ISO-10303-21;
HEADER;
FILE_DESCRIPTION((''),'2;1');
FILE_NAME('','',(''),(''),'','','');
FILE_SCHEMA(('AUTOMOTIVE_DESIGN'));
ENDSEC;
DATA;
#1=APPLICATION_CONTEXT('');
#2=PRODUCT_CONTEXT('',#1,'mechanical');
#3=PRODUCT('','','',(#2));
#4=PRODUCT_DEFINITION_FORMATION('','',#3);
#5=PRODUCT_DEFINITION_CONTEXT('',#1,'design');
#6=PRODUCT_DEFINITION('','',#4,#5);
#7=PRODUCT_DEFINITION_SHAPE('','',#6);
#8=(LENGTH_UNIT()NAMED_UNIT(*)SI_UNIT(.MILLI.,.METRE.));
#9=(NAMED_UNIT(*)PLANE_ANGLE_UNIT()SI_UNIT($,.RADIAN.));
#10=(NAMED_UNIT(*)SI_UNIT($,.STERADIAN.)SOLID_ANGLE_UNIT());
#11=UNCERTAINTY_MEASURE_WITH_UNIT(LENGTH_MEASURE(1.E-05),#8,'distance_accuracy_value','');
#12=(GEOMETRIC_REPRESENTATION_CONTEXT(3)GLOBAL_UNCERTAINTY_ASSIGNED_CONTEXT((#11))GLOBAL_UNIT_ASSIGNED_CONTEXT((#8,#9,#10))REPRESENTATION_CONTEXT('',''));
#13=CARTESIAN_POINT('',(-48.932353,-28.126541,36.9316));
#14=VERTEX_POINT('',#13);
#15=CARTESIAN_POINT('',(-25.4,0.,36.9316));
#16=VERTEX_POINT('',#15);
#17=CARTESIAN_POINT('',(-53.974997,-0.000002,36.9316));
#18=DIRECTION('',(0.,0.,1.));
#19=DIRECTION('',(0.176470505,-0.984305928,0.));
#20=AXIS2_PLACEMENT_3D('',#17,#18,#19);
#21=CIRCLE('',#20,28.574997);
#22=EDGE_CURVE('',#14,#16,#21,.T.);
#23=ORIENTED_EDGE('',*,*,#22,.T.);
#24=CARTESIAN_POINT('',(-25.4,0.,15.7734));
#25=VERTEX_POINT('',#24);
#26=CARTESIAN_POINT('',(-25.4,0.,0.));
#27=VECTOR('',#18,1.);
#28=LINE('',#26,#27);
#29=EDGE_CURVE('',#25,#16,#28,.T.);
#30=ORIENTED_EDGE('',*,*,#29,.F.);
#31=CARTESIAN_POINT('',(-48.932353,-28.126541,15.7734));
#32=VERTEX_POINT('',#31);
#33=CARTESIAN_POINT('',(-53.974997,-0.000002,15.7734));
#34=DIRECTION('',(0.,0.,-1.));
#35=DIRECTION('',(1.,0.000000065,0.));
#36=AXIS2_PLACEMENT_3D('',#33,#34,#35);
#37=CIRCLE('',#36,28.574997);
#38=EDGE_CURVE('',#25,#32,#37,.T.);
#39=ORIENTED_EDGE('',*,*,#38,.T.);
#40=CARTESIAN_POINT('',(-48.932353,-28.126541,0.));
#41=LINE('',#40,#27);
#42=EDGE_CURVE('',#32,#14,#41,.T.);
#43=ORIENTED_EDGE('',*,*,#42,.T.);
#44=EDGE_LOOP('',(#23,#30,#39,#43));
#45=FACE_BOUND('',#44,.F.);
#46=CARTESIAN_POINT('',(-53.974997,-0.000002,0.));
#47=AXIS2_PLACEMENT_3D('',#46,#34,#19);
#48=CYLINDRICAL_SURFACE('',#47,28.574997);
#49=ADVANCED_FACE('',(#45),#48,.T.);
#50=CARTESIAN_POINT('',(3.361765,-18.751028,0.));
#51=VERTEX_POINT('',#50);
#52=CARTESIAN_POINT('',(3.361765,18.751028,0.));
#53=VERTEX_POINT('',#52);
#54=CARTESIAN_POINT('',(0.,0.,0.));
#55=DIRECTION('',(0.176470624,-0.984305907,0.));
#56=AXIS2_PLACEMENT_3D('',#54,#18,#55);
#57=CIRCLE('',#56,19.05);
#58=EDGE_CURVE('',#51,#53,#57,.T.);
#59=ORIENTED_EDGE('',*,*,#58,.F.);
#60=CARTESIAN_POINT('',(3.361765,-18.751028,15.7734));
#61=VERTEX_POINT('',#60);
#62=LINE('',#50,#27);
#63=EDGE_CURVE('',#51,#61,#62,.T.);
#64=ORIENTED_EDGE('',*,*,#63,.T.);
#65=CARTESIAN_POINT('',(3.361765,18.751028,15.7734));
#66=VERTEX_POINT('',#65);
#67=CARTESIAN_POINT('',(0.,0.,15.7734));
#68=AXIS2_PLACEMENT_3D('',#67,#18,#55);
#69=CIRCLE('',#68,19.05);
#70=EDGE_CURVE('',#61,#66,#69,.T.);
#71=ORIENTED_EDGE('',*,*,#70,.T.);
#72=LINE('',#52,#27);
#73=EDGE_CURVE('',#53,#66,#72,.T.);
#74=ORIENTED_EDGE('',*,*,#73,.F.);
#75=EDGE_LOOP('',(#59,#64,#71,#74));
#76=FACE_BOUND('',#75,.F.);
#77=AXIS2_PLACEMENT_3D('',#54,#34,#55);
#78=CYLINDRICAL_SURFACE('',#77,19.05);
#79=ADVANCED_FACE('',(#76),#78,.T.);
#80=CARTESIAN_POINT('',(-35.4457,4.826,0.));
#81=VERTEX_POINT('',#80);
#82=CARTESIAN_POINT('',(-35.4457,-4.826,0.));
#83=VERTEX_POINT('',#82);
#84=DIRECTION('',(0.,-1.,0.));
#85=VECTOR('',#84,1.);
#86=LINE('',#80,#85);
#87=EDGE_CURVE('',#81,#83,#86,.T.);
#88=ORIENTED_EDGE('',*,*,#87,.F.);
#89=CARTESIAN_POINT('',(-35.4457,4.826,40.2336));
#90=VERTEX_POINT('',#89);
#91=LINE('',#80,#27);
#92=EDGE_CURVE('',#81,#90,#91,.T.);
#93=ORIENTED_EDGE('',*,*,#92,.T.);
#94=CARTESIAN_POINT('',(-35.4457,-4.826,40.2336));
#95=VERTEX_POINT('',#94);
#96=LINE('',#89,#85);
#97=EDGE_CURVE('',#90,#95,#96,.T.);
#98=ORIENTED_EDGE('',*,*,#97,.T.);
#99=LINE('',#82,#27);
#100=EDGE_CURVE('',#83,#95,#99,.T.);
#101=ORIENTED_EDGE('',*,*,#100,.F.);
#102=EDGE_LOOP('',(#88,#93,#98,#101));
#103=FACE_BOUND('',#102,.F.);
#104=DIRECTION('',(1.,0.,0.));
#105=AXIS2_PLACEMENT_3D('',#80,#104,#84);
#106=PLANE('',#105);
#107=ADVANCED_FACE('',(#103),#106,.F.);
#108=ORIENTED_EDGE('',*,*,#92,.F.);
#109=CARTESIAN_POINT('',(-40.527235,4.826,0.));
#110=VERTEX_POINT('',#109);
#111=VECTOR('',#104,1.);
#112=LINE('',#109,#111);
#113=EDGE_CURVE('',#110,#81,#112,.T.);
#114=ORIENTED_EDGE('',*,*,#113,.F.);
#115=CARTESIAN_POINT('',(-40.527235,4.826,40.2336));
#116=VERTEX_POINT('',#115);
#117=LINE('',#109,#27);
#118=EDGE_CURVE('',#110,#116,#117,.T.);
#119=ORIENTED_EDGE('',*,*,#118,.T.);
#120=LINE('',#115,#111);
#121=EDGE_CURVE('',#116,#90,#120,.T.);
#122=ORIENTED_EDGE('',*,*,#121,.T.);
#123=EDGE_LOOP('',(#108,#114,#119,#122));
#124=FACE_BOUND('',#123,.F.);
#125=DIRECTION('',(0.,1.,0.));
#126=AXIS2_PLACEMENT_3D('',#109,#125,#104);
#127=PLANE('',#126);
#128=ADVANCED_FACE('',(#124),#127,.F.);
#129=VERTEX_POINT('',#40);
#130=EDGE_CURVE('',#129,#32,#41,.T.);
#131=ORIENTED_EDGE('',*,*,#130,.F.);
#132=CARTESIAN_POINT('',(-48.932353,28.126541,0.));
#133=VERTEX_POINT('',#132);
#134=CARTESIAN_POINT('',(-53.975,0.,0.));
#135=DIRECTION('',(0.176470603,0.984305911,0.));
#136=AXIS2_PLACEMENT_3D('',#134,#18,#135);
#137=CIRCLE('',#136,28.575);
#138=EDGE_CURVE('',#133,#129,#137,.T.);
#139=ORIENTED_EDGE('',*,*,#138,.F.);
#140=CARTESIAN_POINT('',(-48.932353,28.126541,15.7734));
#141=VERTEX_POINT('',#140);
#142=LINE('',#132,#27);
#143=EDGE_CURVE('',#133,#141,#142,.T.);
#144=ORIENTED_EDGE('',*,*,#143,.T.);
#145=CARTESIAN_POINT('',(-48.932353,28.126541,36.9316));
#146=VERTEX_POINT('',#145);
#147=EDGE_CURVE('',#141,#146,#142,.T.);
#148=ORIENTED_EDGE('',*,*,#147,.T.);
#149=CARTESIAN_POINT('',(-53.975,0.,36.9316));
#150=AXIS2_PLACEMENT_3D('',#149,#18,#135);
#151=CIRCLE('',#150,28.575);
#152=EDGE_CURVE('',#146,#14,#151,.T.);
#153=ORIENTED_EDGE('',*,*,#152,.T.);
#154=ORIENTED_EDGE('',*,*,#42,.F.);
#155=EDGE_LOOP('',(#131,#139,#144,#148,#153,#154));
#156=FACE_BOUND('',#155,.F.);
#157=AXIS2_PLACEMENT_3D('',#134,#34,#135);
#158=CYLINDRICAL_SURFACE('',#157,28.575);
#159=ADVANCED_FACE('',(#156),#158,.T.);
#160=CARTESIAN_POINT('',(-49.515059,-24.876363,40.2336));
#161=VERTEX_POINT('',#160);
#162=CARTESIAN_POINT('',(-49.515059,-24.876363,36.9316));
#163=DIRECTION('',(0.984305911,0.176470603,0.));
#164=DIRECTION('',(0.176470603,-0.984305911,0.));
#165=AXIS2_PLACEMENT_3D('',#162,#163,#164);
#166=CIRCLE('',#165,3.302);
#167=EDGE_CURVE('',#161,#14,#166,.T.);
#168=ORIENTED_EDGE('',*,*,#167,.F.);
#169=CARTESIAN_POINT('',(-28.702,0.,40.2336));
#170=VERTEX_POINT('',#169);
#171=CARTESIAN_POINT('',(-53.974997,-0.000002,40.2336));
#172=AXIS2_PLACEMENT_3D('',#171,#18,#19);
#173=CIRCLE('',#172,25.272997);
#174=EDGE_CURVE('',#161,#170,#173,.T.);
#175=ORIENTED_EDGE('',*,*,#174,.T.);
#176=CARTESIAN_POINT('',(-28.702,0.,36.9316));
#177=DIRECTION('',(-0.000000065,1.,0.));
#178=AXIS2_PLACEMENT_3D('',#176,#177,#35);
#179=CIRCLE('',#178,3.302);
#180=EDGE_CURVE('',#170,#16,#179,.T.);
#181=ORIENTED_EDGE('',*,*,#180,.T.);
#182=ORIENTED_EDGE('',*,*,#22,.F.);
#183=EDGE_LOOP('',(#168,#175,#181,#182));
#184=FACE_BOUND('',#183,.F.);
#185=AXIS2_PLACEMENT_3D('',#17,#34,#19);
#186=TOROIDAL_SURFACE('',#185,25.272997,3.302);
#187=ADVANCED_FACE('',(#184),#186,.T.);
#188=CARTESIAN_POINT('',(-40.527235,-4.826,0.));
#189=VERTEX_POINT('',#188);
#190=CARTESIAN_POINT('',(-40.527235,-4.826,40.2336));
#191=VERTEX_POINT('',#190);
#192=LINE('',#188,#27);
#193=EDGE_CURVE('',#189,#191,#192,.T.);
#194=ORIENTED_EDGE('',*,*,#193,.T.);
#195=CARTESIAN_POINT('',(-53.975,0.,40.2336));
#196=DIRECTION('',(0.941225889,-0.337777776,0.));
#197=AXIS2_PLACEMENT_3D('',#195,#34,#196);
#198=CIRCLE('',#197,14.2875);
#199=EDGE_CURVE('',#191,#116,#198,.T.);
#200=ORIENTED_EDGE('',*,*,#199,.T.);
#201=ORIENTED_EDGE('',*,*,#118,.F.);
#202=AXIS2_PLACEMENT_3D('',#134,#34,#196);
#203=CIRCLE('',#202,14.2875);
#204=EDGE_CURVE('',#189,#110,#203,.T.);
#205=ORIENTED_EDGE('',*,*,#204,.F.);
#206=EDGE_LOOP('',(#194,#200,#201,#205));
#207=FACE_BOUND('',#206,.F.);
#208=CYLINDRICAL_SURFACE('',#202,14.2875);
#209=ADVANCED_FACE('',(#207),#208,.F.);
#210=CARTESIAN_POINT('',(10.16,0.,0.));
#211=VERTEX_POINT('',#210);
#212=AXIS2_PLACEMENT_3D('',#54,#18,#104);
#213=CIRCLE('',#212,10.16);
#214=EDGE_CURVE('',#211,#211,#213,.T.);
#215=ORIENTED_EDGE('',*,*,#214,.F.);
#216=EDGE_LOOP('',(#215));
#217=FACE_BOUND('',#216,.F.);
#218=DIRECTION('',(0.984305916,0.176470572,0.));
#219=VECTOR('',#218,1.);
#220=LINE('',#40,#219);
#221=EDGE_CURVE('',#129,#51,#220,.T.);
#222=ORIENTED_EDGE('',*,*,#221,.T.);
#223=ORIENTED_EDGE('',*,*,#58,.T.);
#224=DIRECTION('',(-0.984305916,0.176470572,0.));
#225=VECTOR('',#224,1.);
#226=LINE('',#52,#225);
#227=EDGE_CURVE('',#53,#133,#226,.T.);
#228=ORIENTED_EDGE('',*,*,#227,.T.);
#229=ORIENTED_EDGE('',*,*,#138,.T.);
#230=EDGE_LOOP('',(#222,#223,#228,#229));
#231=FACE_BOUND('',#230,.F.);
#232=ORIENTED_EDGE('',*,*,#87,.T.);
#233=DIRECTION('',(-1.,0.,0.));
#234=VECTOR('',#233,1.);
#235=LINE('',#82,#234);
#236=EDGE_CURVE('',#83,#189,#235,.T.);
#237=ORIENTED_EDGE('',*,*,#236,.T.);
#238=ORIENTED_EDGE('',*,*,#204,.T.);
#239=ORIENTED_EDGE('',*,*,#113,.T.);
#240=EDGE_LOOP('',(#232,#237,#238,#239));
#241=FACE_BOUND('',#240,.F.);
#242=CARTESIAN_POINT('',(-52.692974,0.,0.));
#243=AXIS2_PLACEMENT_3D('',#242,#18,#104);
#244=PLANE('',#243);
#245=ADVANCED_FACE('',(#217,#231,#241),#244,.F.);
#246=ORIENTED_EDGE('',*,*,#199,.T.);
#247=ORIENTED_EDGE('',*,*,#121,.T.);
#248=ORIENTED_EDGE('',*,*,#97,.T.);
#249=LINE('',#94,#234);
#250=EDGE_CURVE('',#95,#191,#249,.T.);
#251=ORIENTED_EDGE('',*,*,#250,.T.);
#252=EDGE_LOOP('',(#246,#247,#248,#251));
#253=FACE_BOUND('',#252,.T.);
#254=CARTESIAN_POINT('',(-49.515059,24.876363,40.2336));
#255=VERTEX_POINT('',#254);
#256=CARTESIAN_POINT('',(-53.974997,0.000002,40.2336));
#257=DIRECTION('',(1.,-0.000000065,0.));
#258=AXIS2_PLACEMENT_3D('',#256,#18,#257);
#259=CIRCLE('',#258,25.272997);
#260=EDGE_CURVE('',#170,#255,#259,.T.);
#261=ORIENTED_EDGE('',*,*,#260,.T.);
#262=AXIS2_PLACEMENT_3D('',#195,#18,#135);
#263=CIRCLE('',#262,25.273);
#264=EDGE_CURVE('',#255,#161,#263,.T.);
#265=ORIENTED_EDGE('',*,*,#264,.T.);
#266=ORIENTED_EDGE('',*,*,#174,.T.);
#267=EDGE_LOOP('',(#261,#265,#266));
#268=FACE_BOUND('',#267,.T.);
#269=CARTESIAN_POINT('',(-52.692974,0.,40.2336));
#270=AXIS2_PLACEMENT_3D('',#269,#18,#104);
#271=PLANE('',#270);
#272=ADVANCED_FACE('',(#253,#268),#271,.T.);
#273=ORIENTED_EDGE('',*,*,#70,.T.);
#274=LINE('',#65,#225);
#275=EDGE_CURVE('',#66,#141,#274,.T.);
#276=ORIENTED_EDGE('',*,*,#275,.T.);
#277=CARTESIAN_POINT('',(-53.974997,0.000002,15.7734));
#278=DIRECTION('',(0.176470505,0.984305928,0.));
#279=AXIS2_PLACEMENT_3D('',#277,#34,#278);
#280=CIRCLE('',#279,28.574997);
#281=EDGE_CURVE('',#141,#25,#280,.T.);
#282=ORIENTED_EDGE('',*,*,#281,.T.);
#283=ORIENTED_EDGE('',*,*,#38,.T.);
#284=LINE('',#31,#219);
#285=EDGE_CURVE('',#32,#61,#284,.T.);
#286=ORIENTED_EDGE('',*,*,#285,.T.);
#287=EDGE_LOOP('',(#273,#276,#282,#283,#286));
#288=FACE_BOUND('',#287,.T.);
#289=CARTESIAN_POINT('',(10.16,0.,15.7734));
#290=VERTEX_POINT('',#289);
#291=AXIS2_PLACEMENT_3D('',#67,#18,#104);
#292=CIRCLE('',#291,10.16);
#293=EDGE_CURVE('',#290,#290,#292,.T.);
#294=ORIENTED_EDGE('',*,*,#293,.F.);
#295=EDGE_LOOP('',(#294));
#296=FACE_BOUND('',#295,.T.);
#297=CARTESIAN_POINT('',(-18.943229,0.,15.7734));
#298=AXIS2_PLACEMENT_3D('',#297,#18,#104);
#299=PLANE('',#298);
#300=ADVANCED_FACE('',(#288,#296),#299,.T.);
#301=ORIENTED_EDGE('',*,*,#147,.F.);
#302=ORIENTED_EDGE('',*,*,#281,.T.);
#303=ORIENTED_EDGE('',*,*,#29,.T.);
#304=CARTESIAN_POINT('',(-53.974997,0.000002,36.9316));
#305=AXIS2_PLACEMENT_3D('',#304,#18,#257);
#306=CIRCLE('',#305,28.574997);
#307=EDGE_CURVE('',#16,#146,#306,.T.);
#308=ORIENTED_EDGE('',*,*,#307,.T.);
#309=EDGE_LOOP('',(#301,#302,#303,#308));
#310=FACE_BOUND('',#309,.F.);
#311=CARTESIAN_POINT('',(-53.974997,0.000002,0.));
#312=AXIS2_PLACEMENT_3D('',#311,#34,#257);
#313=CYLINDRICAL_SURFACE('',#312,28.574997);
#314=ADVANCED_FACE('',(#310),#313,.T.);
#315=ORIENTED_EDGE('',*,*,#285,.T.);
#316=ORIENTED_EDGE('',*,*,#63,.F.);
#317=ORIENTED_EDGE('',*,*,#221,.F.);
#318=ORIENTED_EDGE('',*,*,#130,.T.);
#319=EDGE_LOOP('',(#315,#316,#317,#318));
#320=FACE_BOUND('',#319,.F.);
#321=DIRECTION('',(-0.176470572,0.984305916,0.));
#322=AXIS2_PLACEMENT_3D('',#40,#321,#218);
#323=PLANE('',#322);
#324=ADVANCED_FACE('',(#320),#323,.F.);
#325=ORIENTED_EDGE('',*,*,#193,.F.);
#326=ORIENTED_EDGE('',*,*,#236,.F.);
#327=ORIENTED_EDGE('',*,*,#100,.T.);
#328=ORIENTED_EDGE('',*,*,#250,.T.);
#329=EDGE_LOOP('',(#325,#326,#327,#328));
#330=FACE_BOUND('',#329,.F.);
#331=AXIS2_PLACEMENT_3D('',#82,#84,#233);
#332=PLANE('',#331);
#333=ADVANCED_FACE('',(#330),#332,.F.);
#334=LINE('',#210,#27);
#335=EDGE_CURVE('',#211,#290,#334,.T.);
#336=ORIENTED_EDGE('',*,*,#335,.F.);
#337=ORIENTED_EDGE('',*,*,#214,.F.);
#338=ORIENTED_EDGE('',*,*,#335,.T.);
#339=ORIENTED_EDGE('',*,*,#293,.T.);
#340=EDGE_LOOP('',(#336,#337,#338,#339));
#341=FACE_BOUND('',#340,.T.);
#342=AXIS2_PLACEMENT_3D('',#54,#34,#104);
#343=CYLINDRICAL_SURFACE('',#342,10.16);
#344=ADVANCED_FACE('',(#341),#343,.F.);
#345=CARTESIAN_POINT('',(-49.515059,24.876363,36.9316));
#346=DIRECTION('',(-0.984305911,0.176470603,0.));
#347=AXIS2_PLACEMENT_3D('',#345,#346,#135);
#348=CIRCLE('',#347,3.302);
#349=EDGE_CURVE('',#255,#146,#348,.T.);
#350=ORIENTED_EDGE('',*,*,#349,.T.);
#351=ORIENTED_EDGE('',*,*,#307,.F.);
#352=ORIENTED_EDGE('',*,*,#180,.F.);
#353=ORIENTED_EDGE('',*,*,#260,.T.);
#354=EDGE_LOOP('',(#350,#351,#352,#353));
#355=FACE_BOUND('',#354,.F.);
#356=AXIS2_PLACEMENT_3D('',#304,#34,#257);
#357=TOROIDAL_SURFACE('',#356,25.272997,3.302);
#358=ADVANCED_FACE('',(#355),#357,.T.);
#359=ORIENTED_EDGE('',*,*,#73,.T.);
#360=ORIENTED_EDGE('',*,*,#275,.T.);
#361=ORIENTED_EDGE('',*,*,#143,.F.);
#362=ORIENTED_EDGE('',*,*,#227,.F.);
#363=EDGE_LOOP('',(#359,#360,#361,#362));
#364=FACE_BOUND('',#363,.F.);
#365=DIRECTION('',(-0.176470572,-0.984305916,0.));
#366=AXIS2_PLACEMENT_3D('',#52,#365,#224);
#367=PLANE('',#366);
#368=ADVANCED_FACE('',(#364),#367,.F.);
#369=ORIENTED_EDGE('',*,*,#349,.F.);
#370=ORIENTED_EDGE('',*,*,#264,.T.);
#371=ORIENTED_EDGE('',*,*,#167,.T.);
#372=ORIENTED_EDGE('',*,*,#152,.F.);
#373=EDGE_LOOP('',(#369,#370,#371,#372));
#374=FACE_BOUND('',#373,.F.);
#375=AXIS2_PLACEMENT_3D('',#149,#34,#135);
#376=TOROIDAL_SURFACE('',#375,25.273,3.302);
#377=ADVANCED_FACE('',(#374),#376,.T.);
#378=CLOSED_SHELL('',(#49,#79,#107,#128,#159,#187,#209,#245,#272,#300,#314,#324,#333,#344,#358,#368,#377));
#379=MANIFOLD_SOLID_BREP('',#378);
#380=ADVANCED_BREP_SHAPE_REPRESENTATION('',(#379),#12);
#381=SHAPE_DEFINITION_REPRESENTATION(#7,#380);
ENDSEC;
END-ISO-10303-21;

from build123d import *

# Parameters (mm, degrees)
F0_R     = 10.16
F1_DEPTH = 15.7734
F2_DEPTH = 40.2336
F3_R     = 3.302


with BuildPart() as f1:
    # F0 (on Top) → F1 (new body)
    with BuildSketch(Plane.XY):
        with BuildLine():
            ThreePointArc((-48.932353, 28.126541), (-32.058975, 18.336262), (-25.4, 0))
            ThreePointArc((-25.4, 0), (-32.058975, -18.336262), (-48.932353, -28.126541))
            Line((-48.932353, -28.126541), (3.361765, -18.751028))
            ThreePointArc((3.361765, -18.751028), (19.05, 0), (3.361765, 18.751028))
            Line((3.361765, 18.751028), (-48.932353, 28.126541))
        make_face()
        Circle(F0_R, mode=Mode.SUBTRACT)
    extrude(amount=F1_DEPTH)

    # F0 (on Top) → F2 (join)
    with BuildSketch(Plane.XY):
        with BuildLine():
            ThreePointArc((-48.932353, -28.126541), (-32.058975, -18.336262), (-25.4, 0))
            ThreePointArc((-25.4, 0), (-32.058975, 18.336262), (-48.932353, 28.126541))
            ThreePointArc((-48.932353, 28.126541), (-82.55, 0), (-48.932353, -28.126541))
        make_face()
        with BuildLine():
            ThreePointArc((-40.527235, -4.826), (-68.2625, 0), (-40.527235, 4.826))
            Line((-40.527235, 4.826), (-35.4457, 4.826))
            Line((-35.4457, 4.826), (-35.4457, -4.826))
            Line((-35.4457, -4.826), (-40.527235, -4.826))
        make_face(mode=Mode.SUBTRACT)
    extrude(amount=F2_DEPTH)

    # F3
    f3_edges = [f1.edges().sort_by_distance(p)[0] for p in [
        (-59.017647, 28.126541, 40.2336),
    ]]
    fillet(f3_edges, radius=F3_R)


solid = f1.part
